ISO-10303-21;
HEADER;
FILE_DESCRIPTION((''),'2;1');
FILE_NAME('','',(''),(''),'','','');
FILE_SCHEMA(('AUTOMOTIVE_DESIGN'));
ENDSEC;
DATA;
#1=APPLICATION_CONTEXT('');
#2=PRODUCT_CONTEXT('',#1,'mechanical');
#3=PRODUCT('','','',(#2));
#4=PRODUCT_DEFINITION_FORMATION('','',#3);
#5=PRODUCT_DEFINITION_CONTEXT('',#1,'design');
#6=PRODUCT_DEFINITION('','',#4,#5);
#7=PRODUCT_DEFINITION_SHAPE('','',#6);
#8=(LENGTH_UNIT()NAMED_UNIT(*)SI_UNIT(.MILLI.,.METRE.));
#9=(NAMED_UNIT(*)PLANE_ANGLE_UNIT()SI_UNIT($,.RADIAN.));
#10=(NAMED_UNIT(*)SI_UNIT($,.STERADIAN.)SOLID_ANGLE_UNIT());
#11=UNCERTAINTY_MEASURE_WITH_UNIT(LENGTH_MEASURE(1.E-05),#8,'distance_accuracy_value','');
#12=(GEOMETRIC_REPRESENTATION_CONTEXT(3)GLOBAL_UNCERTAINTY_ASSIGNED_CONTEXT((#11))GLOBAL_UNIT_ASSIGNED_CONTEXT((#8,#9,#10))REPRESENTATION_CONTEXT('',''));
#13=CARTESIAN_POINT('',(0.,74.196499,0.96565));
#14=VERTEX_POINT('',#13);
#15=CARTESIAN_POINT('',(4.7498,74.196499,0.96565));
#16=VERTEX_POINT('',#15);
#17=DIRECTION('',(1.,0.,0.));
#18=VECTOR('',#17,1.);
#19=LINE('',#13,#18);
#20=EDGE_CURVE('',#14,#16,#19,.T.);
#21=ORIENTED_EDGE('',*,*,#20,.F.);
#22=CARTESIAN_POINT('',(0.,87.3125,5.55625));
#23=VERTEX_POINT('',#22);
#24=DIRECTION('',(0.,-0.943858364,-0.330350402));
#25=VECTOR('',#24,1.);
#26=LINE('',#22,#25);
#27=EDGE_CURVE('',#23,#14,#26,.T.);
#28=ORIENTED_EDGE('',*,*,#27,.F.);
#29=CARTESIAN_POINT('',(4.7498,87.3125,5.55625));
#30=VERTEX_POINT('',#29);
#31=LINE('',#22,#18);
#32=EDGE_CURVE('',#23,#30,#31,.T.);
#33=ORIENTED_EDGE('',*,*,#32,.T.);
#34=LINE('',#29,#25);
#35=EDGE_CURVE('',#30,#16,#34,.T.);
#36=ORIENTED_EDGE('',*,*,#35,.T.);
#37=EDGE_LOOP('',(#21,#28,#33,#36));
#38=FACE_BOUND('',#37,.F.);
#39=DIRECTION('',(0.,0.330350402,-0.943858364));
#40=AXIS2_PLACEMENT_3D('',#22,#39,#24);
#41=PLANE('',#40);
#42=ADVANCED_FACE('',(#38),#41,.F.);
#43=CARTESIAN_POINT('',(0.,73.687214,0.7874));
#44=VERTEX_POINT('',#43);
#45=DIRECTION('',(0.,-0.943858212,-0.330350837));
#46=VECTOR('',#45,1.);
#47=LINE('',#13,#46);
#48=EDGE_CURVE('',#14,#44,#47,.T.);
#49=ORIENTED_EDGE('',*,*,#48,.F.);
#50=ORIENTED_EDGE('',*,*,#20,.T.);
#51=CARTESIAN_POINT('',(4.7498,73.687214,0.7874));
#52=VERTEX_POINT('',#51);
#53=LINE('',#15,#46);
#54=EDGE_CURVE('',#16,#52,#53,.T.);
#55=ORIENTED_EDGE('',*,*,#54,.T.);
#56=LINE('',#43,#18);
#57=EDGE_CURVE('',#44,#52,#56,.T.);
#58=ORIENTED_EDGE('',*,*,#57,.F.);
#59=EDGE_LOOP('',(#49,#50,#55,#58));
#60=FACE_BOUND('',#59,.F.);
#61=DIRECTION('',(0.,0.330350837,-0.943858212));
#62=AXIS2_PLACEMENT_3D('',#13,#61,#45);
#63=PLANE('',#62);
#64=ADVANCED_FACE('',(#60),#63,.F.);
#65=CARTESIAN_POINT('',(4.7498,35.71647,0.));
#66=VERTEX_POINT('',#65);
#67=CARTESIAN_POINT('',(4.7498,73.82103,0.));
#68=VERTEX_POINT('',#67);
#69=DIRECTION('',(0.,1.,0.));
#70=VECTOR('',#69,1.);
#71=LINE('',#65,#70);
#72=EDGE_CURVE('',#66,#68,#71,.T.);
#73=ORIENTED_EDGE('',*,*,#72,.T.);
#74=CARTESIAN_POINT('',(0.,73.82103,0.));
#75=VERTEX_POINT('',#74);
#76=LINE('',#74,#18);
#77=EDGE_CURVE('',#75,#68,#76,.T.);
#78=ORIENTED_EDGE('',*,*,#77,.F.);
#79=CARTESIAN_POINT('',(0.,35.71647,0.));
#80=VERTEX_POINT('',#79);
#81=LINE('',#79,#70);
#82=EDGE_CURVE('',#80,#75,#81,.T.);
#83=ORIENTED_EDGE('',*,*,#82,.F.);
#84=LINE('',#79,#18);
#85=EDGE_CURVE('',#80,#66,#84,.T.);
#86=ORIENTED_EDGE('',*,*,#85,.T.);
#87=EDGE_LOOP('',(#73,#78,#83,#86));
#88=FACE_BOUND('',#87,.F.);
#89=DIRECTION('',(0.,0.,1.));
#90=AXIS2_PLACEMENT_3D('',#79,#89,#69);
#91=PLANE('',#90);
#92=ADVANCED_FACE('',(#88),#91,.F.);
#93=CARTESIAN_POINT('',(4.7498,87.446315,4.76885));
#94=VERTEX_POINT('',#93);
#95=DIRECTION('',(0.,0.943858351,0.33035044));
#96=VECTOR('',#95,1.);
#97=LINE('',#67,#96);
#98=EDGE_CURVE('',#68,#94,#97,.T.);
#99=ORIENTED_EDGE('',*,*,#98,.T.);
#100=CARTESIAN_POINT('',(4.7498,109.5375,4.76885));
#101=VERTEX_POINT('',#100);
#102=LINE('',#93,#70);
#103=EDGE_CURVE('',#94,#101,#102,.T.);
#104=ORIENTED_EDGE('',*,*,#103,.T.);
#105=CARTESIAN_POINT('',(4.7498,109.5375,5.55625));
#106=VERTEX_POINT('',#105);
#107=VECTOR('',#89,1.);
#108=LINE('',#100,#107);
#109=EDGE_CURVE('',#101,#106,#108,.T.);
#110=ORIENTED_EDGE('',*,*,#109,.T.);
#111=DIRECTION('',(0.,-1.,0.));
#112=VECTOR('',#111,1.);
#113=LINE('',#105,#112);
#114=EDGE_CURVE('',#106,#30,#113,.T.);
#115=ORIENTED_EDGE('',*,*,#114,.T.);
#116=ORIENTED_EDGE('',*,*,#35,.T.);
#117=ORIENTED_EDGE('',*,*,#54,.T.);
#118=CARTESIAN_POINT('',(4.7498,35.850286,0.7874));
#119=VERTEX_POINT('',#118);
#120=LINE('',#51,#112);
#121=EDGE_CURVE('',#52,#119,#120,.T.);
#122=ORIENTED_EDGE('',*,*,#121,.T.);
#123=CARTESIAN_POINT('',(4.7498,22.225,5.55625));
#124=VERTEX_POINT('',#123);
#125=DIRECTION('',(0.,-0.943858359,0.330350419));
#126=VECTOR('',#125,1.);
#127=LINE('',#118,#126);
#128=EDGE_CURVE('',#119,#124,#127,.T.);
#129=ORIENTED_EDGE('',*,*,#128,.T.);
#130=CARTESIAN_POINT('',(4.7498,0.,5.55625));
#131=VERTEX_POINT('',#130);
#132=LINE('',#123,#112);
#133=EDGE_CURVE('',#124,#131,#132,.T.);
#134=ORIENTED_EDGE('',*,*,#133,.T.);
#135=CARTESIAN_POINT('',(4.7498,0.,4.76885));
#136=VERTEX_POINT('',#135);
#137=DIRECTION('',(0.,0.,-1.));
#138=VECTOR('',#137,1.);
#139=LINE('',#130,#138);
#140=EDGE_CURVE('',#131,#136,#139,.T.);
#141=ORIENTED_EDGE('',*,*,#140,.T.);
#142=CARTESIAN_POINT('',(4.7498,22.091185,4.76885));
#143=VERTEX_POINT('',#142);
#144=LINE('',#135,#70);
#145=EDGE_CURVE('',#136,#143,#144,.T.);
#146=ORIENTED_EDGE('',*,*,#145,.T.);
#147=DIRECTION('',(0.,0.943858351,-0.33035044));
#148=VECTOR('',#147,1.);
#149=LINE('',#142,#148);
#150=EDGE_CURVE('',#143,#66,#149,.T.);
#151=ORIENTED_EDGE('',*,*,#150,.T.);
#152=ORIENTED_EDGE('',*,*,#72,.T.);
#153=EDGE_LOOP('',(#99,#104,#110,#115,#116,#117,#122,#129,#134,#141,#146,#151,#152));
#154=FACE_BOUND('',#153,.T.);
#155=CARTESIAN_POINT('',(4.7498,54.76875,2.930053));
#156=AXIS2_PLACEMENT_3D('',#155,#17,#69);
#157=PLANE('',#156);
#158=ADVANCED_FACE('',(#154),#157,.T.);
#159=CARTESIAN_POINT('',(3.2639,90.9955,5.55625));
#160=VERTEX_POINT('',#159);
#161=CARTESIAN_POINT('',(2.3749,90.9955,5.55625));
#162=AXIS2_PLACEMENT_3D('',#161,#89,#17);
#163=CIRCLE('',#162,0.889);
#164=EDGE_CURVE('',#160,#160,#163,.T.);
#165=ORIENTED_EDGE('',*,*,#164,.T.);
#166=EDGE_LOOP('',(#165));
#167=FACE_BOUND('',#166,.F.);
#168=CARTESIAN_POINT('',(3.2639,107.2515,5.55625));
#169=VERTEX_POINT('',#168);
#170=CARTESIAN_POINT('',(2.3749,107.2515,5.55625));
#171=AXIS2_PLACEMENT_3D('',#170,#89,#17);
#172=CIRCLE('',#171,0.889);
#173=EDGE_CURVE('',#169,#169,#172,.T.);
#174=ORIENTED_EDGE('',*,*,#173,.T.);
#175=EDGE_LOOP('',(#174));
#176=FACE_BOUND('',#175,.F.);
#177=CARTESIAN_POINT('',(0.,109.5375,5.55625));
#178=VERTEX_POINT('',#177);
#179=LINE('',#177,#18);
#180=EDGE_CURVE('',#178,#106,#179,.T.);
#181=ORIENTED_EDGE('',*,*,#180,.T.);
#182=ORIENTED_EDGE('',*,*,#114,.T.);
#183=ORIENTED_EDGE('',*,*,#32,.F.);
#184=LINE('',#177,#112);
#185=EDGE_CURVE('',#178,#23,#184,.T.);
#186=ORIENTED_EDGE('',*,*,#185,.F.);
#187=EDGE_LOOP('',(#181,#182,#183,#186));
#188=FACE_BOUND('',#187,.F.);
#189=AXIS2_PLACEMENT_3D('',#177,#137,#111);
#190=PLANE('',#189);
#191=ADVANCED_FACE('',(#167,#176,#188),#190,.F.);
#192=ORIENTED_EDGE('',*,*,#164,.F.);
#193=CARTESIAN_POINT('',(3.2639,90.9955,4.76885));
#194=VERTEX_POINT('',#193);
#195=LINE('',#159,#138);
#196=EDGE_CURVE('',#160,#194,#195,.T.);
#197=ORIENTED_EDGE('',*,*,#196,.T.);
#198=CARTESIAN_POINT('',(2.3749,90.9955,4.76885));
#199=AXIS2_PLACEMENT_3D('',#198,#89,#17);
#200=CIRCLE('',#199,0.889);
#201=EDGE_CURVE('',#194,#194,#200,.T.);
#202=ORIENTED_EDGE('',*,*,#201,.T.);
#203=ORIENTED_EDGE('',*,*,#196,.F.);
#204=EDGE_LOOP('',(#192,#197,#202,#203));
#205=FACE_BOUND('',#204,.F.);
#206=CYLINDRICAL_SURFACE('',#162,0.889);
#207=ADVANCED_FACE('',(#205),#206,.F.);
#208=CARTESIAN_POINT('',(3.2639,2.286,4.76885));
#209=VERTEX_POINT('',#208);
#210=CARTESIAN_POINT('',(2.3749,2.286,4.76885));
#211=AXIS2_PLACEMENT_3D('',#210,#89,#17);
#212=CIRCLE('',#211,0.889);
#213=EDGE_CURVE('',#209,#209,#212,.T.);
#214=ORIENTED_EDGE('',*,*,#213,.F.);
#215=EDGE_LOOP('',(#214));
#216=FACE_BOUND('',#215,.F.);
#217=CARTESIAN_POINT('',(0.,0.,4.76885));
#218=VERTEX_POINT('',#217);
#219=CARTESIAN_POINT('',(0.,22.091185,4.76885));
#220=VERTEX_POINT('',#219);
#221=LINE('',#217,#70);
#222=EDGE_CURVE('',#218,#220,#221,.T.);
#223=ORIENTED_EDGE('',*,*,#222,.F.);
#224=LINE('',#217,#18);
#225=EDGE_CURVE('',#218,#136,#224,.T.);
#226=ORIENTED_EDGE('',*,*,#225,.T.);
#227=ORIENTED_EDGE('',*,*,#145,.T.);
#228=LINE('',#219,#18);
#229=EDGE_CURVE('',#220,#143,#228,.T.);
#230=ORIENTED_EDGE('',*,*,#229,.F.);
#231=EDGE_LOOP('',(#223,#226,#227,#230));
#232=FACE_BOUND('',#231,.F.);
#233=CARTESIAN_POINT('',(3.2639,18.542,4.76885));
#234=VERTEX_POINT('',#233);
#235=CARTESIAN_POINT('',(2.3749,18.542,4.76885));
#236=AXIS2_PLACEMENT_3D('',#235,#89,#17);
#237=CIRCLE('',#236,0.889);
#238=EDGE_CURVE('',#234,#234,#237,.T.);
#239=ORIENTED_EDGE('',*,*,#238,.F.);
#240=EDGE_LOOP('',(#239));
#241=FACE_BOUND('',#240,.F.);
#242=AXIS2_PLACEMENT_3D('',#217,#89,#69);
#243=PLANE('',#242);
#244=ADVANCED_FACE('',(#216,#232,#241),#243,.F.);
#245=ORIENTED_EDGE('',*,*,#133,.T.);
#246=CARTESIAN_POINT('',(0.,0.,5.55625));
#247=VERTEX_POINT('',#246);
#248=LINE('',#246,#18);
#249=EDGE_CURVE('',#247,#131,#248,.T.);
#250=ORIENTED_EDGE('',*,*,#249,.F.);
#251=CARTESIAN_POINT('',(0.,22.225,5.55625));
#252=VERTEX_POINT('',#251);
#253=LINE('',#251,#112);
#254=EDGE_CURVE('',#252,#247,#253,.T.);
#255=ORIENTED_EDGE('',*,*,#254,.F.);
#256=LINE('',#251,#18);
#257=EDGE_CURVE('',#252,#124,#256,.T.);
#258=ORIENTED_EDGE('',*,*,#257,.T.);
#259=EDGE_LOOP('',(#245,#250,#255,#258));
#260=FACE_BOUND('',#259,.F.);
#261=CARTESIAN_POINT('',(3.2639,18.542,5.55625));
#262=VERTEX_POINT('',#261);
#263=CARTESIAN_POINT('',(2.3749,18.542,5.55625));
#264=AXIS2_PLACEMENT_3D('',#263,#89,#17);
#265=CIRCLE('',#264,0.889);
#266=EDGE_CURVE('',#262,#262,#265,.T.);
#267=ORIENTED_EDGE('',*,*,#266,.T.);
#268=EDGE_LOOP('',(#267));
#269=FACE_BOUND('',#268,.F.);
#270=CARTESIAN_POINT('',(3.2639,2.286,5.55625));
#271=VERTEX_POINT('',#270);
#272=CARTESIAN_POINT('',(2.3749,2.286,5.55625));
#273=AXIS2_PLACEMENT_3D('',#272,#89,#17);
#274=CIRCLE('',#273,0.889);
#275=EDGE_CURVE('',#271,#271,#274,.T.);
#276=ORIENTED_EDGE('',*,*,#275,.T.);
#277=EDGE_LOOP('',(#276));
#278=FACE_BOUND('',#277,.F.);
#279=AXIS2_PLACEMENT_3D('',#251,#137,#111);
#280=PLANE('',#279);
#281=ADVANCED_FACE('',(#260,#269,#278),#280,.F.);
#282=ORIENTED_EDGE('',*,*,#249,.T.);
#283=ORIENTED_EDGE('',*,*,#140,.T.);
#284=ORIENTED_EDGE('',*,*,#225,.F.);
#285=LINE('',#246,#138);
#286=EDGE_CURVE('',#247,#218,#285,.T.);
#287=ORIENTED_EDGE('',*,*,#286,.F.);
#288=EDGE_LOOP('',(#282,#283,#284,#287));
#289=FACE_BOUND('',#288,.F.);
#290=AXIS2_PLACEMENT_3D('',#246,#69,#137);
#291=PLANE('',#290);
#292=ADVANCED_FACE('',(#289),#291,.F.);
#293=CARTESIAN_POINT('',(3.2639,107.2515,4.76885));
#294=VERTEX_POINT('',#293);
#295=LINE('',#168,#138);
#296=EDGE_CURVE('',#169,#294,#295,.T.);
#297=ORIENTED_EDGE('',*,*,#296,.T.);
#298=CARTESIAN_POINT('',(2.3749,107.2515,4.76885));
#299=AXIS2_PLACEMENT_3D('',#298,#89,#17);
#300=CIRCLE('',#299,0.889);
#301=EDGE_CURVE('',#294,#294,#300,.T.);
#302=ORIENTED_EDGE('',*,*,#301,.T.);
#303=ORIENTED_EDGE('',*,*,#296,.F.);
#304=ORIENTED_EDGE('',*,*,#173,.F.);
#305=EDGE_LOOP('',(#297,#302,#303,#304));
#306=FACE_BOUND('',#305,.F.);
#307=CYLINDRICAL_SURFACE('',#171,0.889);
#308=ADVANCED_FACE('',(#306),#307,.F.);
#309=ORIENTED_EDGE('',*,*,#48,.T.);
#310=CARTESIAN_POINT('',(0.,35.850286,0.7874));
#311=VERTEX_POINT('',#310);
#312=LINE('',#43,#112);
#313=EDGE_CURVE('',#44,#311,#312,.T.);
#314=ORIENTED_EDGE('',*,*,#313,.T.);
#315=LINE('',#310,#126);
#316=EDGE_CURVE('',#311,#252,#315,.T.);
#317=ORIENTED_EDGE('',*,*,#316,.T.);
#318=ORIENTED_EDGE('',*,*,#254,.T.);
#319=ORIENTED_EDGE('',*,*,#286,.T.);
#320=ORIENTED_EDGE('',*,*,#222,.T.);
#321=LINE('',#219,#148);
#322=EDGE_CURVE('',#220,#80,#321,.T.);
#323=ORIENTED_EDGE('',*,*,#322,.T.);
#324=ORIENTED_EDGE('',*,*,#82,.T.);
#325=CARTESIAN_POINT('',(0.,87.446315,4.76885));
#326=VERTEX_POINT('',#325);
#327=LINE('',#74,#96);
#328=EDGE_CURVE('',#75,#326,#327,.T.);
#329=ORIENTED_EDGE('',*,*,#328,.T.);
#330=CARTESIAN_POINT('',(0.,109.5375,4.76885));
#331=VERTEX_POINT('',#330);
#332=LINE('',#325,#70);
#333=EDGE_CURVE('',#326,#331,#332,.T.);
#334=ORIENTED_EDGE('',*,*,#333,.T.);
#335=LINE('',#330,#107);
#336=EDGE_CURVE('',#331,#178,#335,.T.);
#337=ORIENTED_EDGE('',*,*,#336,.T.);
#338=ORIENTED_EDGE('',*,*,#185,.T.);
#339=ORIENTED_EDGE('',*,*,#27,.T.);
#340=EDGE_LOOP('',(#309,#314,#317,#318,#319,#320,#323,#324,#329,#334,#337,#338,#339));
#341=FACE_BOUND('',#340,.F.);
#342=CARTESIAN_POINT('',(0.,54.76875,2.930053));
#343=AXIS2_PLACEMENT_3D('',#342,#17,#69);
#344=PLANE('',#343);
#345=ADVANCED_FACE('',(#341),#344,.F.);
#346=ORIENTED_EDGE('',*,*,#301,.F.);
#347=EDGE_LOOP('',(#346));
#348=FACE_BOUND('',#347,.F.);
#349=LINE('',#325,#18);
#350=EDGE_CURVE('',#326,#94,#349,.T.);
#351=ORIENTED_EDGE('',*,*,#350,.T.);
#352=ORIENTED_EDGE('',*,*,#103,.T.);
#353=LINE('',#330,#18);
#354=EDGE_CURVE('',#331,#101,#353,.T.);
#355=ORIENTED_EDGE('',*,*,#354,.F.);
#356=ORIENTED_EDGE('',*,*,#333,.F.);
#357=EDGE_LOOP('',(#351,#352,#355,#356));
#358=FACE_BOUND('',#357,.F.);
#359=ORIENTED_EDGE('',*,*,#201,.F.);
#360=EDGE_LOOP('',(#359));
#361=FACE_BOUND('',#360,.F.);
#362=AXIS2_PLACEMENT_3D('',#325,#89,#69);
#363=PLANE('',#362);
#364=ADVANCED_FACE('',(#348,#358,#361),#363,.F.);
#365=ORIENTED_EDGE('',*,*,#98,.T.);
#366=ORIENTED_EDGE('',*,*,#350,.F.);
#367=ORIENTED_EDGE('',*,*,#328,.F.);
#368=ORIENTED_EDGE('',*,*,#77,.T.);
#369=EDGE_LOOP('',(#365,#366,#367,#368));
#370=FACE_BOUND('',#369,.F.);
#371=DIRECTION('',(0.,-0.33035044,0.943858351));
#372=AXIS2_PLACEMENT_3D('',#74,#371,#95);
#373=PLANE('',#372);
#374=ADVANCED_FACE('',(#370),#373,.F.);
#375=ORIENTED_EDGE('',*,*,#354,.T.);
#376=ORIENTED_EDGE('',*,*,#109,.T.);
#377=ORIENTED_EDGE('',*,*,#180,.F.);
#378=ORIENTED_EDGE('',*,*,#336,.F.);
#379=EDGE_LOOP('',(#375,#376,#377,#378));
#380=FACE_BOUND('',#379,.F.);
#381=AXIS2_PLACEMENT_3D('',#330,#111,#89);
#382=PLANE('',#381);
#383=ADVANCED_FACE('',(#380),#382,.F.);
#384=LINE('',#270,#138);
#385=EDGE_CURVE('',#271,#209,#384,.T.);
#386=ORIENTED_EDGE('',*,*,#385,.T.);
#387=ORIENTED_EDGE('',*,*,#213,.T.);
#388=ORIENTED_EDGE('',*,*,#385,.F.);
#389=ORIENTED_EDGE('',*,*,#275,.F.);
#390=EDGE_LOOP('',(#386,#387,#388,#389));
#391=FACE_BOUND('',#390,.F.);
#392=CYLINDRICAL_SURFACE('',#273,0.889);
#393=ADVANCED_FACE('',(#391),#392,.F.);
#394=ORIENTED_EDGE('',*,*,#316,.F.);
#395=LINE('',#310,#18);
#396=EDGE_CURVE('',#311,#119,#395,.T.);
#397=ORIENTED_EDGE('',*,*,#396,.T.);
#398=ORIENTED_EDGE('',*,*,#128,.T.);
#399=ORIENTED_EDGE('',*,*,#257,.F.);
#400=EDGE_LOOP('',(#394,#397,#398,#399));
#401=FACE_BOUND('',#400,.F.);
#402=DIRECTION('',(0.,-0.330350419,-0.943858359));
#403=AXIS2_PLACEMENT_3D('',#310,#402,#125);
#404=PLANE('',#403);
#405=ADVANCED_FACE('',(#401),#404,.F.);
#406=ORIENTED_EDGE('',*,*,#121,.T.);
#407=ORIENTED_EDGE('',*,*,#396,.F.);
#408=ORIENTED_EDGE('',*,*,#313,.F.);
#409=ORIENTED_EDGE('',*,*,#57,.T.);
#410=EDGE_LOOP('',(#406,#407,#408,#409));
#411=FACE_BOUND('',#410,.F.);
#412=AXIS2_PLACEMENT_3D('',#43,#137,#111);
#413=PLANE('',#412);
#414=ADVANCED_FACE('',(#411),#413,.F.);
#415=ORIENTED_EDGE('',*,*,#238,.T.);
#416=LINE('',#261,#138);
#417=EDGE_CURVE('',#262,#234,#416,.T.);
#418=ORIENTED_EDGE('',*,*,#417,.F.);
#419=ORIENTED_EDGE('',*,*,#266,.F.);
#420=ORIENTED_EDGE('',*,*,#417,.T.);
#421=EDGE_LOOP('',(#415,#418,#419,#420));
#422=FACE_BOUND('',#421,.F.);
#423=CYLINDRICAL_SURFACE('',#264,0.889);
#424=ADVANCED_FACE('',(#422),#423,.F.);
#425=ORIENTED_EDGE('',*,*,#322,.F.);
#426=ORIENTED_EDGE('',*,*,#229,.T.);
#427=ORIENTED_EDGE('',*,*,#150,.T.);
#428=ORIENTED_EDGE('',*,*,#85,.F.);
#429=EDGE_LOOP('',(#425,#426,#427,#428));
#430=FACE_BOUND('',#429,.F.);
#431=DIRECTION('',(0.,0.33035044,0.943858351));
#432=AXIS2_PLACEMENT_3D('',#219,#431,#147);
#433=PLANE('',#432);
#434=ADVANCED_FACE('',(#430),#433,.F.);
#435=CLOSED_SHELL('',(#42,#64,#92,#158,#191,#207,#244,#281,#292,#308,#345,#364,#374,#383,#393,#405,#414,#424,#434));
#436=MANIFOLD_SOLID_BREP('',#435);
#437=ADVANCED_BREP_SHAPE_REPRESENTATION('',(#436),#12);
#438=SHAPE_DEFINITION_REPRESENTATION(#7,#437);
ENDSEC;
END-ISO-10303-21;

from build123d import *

# Parameters (mm, degrees)
F1_DEPTH      = 4.7498
F2_R          = 0.889
F3_DEPTH      = 0.7874
F3_DEPTH_BACK = 25.4


with BuildPart() as f1:
    # F0 (on Right) → F1 (new body)
    with BuildSketch(Plane.YZ):
        Polygon((22.091185, 4.76885), (35.71647, 0), (73.82103, 0), (87.446315, 4.76885), (109.5375, 4.76885), (109.5375, 5.55625), (87.3125, 5.55625), (74.196499, 0.96565), (73.687214, 0.7874), (73.147637, 0.7874), (35.850286, 0.7874), (22.225, 5.55625), (0, 5.55625), (0, 4.76885), align=None)
    extrude(amount=F1_DEPTH)

    # F2 (on face) → F3 (cut, two sides)
    with BuildSketch(Plane.XY.offset(5.55625)) as f3_sk:
        with Locations((2.3749, 2.286)):
            Circle(F2_R)
        with Locations((2.3749, 107.2515)):
            Circle(F2_R)
        with Locations((2.3749, 90.9955)):
            Circle(F2_R)
        with Locations((2.3749, 18.542)):
            Circle(F2_R)
    extrude(amount=-F3_DEPTH, mode=Mode.SUBTRACT)
    extrude(f3_sk.sketch, amount=-F3_DEPTH_BACK, mode=Mode.SUBTRACT)


solid = f1.part
